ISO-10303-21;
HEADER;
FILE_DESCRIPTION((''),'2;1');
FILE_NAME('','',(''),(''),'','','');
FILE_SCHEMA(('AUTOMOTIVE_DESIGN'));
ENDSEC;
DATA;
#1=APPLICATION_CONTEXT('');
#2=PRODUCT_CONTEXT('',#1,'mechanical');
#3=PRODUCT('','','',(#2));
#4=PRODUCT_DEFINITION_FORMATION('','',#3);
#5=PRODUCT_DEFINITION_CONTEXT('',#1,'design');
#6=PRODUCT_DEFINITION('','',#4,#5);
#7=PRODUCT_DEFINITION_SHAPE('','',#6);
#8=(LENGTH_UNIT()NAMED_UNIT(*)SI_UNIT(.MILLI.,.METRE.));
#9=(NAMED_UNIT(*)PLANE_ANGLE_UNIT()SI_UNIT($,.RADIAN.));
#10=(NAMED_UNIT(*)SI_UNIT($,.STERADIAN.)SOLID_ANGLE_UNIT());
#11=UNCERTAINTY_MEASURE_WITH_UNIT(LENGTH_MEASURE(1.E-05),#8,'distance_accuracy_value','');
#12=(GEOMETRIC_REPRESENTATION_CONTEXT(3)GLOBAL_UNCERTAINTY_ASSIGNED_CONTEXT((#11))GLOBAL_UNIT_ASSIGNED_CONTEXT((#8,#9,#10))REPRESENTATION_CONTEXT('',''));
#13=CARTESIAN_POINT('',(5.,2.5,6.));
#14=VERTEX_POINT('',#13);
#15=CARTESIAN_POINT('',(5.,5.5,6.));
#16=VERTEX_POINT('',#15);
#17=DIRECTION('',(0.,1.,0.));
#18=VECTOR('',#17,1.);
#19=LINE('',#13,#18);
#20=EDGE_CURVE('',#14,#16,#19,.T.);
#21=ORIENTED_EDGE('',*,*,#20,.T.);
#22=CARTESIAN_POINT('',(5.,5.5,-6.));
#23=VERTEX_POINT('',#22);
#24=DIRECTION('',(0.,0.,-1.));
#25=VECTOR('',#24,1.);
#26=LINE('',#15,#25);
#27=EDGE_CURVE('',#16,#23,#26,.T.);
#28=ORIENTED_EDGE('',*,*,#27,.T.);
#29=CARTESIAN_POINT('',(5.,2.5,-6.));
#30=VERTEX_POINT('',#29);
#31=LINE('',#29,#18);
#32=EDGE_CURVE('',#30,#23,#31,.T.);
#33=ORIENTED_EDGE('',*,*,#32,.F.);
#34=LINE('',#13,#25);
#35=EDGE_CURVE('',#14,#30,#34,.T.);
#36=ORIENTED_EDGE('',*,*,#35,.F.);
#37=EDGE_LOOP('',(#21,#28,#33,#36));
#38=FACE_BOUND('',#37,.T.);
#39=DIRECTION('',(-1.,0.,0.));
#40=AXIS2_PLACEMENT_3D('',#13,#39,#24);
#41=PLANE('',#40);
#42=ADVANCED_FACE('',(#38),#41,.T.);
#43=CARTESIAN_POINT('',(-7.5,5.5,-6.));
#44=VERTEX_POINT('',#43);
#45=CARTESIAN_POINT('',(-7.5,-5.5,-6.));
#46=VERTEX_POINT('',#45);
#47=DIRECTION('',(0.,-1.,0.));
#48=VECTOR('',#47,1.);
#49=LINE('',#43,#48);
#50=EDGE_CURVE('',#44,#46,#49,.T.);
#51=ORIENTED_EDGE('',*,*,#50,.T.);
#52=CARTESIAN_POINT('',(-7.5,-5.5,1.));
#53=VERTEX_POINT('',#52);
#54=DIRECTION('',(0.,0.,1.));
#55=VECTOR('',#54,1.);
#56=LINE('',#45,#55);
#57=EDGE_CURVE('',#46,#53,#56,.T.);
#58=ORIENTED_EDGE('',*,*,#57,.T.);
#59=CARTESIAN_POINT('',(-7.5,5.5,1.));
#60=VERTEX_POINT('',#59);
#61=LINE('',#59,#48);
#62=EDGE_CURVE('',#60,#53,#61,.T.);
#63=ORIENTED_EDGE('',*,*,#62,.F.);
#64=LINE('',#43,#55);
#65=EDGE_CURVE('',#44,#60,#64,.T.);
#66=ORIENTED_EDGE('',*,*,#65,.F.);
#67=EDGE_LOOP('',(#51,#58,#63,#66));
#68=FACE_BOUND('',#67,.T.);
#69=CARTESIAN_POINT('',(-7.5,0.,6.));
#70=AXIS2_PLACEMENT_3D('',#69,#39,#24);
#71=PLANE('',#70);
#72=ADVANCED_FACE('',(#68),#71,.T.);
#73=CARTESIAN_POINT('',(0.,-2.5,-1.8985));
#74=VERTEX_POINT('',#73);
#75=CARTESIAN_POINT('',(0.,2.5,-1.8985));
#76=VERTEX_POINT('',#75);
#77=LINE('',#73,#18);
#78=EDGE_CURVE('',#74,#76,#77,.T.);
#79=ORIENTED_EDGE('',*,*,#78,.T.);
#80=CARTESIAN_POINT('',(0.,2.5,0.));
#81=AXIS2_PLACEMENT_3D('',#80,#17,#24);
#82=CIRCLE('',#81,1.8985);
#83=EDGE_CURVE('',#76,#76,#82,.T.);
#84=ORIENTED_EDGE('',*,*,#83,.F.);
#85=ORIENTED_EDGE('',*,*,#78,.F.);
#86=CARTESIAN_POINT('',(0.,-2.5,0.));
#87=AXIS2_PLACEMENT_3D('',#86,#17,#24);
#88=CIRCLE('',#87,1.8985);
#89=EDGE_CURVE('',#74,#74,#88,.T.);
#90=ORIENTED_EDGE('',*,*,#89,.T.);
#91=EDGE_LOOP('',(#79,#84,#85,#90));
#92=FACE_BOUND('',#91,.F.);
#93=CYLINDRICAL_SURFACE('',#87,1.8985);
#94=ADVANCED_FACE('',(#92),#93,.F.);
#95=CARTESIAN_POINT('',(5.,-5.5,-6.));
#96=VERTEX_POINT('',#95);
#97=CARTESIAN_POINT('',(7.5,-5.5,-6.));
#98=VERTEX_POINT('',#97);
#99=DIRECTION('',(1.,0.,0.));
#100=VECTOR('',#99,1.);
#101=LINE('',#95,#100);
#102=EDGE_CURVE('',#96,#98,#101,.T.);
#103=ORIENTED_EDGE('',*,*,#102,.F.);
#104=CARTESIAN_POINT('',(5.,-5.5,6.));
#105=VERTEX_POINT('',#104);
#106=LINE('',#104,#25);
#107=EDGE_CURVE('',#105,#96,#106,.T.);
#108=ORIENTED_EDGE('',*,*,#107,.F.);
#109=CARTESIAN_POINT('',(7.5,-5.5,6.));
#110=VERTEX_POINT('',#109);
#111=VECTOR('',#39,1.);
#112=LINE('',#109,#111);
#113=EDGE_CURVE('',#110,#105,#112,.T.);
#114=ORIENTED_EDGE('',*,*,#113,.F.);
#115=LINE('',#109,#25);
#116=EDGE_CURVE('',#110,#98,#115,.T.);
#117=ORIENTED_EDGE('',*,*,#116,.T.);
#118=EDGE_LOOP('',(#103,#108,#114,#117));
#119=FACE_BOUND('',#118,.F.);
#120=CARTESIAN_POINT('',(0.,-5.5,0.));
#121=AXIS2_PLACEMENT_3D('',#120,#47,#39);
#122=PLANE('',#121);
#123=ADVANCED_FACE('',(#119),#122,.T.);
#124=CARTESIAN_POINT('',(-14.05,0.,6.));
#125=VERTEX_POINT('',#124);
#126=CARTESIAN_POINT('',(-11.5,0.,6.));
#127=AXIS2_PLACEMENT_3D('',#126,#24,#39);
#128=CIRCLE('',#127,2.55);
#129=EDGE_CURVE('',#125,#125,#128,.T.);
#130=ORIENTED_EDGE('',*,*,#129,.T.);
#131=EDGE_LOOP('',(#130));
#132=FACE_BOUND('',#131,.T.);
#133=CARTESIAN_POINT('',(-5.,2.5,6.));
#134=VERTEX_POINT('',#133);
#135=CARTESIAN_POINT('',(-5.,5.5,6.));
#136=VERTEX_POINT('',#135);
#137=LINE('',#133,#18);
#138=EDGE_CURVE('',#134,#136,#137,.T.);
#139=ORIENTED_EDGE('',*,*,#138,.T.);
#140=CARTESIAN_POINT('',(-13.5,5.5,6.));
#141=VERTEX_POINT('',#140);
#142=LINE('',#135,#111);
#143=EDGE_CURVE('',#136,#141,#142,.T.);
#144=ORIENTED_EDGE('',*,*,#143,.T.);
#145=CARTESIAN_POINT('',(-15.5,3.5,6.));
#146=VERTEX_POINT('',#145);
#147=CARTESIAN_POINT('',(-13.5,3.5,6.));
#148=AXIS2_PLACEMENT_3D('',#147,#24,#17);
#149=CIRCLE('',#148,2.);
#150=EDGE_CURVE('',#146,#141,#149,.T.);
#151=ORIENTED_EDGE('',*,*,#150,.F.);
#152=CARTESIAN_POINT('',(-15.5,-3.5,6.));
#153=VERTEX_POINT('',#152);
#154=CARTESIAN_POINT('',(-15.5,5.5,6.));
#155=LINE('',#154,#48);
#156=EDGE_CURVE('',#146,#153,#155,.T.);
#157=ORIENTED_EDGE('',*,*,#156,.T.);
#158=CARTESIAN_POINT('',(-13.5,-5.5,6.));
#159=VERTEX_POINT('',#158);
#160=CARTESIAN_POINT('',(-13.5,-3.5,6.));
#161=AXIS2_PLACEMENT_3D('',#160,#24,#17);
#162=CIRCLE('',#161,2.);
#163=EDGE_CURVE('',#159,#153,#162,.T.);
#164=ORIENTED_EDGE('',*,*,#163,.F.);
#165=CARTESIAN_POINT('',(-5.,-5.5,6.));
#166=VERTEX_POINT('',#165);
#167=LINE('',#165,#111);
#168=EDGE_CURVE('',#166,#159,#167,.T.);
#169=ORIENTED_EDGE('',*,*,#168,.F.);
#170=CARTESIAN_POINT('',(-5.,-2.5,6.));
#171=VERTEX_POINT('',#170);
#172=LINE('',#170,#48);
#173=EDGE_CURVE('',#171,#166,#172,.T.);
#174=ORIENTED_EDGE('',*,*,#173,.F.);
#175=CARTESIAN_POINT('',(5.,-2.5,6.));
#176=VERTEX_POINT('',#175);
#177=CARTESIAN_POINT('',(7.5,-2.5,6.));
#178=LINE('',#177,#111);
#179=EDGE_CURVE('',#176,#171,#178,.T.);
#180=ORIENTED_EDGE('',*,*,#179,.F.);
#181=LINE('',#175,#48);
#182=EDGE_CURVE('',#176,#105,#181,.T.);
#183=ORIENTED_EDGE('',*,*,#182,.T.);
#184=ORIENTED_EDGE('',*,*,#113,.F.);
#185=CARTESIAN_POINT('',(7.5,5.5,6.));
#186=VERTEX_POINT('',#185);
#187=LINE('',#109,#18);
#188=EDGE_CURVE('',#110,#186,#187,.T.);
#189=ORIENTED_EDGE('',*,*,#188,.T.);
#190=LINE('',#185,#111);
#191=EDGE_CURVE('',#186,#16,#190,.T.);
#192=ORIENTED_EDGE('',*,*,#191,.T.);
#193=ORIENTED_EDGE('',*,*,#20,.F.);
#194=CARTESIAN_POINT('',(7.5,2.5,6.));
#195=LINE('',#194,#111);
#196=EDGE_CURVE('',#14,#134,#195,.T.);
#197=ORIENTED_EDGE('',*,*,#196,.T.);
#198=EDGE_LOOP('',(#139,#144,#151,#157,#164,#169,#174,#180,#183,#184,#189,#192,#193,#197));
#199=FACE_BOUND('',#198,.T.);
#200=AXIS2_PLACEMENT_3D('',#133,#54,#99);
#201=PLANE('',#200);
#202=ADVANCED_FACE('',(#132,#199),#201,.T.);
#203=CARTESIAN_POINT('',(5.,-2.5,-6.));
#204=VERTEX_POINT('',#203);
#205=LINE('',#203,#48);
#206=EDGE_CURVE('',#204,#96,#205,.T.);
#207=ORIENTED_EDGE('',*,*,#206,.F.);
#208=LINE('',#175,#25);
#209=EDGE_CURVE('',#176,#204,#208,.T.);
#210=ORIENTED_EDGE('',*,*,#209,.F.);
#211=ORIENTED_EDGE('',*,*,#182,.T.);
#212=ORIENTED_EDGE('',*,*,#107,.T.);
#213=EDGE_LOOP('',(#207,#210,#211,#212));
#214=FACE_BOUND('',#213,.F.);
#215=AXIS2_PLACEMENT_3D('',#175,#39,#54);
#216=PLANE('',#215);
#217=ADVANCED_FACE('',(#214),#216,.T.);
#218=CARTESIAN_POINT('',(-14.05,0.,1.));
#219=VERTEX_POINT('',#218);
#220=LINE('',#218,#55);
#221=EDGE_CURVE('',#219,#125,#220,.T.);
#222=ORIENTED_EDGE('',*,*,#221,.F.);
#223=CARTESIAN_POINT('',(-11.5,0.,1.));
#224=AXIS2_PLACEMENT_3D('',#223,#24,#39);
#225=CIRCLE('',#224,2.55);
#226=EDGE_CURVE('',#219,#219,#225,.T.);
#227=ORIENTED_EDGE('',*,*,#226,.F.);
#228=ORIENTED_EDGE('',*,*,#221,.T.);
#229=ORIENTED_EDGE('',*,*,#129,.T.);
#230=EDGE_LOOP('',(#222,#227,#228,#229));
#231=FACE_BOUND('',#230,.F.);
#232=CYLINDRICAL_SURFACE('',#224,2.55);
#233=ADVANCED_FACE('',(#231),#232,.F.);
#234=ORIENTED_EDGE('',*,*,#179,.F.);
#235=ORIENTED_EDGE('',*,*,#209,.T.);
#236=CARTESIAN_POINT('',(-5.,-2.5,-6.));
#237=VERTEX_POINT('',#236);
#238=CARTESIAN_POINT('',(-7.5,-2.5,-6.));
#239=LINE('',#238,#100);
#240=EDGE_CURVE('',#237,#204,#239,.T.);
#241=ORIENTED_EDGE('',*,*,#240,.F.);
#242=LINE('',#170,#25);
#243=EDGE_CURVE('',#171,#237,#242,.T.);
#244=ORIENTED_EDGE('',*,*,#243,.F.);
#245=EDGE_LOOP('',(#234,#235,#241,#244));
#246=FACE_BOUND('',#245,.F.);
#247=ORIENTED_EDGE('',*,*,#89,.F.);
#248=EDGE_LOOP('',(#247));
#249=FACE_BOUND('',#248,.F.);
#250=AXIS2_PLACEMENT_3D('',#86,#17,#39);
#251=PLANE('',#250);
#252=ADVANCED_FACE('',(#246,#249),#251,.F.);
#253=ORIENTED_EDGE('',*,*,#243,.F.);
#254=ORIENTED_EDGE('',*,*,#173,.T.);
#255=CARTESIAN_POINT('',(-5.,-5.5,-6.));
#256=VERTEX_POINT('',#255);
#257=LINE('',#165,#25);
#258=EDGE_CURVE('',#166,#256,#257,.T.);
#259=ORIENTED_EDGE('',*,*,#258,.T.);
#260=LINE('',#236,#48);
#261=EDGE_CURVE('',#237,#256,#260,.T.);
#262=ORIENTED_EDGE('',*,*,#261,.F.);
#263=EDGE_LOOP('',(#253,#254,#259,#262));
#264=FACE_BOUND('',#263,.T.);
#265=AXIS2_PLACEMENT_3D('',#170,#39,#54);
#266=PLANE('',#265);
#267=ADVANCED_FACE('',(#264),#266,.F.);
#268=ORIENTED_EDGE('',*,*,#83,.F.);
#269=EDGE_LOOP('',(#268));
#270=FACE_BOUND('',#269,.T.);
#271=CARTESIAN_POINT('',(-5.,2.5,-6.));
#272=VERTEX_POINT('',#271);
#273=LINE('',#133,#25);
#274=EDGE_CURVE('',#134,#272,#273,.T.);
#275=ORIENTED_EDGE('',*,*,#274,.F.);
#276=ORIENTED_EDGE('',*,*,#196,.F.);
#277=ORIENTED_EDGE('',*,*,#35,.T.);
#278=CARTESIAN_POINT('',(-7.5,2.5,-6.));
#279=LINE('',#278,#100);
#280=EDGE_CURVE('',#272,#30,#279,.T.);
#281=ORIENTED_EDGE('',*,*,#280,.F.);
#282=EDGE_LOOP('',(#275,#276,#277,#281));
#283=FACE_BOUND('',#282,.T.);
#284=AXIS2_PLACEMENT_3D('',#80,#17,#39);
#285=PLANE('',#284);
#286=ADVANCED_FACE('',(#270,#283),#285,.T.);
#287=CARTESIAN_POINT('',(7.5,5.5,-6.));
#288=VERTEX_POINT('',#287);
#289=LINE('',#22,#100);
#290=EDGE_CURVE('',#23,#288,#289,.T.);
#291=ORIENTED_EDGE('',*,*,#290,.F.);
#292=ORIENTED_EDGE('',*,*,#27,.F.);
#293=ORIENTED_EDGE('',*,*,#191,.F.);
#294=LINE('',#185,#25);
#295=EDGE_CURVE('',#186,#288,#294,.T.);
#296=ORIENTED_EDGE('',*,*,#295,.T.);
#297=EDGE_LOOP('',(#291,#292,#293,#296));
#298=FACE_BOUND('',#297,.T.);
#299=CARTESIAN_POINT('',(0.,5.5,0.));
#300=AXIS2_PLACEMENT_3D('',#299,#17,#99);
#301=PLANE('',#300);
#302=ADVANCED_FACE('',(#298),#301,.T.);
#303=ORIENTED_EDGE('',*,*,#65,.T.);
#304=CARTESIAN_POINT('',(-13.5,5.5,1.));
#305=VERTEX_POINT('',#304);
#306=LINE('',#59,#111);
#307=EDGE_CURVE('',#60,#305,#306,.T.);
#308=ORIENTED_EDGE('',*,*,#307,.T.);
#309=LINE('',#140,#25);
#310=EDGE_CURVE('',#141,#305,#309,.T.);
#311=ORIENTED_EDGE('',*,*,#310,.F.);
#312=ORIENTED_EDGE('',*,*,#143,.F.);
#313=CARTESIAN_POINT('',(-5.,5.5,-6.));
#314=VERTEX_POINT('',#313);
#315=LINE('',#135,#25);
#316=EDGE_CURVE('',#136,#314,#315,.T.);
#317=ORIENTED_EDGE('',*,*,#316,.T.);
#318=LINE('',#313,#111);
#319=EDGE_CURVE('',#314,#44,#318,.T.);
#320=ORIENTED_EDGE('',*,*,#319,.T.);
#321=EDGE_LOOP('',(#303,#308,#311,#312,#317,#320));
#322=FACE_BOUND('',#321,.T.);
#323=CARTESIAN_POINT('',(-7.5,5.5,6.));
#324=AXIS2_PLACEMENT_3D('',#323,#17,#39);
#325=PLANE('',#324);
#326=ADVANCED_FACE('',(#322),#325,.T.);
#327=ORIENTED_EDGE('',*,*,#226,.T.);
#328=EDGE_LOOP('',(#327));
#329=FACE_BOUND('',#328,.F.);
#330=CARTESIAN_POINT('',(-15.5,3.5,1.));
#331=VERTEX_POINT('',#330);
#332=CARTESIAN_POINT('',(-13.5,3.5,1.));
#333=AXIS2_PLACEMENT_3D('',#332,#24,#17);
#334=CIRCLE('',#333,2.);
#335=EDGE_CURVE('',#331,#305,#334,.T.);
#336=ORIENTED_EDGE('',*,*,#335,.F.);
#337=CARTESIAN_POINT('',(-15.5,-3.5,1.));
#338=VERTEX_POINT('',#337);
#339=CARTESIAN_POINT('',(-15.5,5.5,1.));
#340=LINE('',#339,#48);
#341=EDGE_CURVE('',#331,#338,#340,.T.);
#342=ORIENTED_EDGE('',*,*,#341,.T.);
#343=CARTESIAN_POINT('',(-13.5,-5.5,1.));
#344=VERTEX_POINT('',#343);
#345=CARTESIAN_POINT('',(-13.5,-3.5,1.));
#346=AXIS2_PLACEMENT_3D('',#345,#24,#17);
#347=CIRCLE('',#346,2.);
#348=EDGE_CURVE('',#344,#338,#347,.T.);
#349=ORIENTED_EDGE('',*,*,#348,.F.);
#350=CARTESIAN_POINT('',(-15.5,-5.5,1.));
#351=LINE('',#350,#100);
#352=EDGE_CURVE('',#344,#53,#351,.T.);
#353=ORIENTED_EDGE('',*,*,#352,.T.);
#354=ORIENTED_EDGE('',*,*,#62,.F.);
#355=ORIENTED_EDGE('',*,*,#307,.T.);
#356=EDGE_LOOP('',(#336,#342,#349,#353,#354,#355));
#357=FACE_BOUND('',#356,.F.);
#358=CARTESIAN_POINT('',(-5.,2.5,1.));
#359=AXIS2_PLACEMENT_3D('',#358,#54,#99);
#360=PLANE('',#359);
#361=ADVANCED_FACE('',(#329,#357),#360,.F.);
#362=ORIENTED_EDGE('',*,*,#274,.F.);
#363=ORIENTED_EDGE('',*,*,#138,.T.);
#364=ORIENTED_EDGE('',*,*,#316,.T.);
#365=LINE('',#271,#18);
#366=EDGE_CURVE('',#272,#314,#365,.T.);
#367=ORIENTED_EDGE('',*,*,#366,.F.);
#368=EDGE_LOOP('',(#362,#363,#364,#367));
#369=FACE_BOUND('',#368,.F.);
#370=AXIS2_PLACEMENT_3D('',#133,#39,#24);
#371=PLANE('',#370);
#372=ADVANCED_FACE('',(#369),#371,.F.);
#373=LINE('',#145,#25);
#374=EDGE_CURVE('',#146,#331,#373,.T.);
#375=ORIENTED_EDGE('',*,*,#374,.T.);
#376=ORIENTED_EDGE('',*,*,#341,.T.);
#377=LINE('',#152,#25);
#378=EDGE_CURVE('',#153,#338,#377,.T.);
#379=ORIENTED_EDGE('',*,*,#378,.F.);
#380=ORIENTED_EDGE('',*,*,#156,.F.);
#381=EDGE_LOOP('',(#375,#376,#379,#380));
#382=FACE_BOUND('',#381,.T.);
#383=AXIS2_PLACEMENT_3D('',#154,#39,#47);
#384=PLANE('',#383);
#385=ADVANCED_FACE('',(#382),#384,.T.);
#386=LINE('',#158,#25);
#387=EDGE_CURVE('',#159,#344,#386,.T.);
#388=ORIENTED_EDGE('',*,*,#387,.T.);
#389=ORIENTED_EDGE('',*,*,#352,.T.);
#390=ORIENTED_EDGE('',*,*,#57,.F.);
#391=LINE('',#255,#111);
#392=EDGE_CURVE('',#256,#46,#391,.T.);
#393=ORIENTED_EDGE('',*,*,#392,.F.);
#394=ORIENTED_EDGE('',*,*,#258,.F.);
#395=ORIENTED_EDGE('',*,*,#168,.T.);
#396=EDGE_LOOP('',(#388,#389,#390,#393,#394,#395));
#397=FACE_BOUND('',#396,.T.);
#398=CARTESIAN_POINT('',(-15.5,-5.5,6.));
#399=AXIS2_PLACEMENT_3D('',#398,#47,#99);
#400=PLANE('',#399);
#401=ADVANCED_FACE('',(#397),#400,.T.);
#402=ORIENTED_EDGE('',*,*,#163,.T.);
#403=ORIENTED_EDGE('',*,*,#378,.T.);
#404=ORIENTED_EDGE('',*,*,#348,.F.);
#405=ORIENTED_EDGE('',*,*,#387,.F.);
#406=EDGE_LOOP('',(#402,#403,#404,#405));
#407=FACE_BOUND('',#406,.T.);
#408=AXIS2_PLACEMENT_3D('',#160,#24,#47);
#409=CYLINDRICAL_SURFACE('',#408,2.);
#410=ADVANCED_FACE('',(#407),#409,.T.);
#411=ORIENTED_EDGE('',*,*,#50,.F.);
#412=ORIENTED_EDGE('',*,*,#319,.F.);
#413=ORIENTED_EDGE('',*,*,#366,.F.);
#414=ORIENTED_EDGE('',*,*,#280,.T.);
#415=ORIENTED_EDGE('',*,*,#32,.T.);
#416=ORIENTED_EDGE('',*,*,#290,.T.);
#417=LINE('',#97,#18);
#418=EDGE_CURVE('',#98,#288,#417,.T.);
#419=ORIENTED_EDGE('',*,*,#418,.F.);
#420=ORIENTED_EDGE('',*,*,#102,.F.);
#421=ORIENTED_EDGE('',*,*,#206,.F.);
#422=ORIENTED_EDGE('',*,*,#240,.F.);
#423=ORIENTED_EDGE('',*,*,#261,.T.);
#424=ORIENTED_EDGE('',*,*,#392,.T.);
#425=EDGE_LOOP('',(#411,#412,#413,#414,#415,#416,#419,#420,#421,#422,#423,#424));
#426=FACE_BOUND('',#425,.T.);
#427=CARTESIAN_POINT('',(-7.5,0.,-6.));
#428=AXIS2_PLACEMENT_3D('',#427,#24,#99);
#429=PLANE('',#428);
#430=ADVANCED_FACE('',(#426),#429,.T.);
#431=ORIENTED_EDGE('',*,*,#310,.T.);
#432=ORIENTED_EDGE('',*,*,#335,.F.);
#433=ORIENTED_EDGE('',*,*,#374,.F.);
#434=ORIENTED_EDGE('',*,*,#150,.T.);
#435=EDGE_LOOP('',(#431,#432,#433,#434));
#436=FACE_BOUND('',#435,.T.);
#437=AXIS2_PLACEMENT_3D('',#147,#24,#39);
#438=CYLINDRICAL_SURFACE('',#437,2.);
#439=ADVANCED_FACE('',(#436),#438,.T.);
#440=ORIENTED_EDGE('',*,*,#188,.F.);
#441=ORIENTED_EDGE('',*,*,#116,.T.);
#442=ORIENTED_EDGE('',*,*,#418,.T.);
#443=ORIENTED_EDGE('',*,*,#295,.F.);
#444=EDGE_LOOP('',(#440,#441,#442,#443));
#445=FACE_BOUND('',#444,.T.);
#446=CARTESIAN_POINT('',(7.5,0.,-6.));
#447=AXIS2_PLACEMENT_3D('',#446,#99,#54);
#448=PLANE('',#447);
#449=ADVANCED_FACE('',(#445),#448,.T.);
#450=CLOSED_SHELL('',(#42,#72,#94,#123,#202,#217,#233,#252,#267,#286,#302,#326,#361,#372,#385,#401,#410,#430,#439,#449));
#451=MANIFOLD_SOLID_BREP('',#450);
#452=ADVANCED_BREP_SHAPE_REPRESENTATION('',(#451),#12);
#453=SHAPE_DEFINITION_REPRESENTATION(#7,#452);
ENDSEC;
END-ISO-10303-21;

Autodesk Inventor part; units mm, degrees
ref_plane "YZ Plane" through (0, 0, 0) normal (1, 0, 0) x (0, 1, 0)
ref_plane "XZ Plane" through (0, 0, 0) normal (0, 1, 0) x (-1, 0, 0)
ref_plane "XY Plane" through (0, 0, 0) normal (0, 0, 1) x (1, 0, 0)
sketch "Sketch1" plane through (0, 0, 0) normal (0, 1, 0) x (-1, 0, 0)
  line L0 (-7.5, 6) -> (7.5, 6)
  line L1 (7.5, 6) -> (7.5, -6)
  line L2 (7.5, -6) -> (-7.5, -6)
  line L3 (-7.5, -6) -> (-7.5, 6)
  line L4 (-7.5, 6) -> (7.5, -6) construction
  line L5 (7.5, 6) -> (-7.5, -6) construction
  point P0 (0, 0)
  dimension "d0" = 12
  dimension "d1" = 15
extrude "Extrusion1" add sketch "Sketch1" along normal mid plane 5
sketch "Sketch2" plane through (0, 2.5, 0) normal (0, 1, 0) x (1, 0, 0)
  line L0 (-5, 6) -> (-7.5, 6)
  line L1 (-7.5, 6) -> (-7.5, -6)
  line L2 (-7.5, -6) -> (-5, -6)
  line L3 (-5, -6) -> (-5, 6)
  line L4 (-5, 6) -> (-7.5, -6) construction
  line L5 (-7.5, 6) -> (-5, -6) construction
  line L6 (7.5, -6) -> (7.5, 6) projected
  line L7 (5, 6) -> (7.5, 6)
  line L8 (7.5, 6) -> (7.5, -6)
  line L9 (7.5, -6) -> (5, -6)
  line L10 (5, -6) -> (5, 6)
  line L11 (5, 6) -> (7.5, -6) construction
  line L12 (7.5, 6) -> (5, -6) construction
  line L13 (5, 0) -> (-5, 0) construction
  point P0 (0, 0)
  point P1 (-6.25, 0)
  point P2 (6.25, 0)
  point P3 (0, 0)
  dimension "d15" = 10
extrude "Extrusion2" add sketch "Sketch2" along normal blind 3
sketch "Sketch3" plane through (0, -2.5, 0) normal (0, -1, 0) x (1, 0, 0)
  point P0 (0, 0)
hole "Hole1" at (0, -2.5, 0) direction (0, 1, 0) diameter 3.797 end through all clearance for "Flat Head Machine Screw (82)" size "#6" standard "Ansi Unified Screw Threads"
mirror "Mirror1" about plane through (0, 0, 0) normal (0, 1, 0)
sketch "Sketch4" plane through (-5, 2.5, 6) normal (0, 0, 1) x (1, 0, 0)
  line L0 (-2.5, 3) -> (-2.5, -8) projected
  line L1 (-10.5, -8) -> (-2.5, -8)
  line L2 (-2.5, -8) -> (-2.5, 3)
  line L3 (-2.5, 3) -> (-10.5, 3)
  line L4 (-10.5, 3) -> (-10.5, -8)
  line L5 (-10.5, -8) -> (-2.5, 3) construction
  line L6 (-2.5, -8) -> (-10.5, 3) construction
  line L7 (-2.5, -8) -> (0, -8) projected
  point P0 (5, -2.5)
  point P1 (-6.5, -2.5)
  dimension "d16" = 8
extrude "Extrusion3" add sketch "Sketch4" against normal blind 5
sketch "Sketch5" plane through (-5, 2.5, 1) normal (0, 0, -1) x (-1, 0, 0)
  line L0 (10.5, -8) -> (10.5, 3) projected
  line L1 (2.5, -8) -> (10.5, -8) projected
  circle A0 centre (6.5, -2.5) radius 2.55
  point P0 (-5, -2.5)
  point P1 (10.5, -2.5)
  point P2 (6.5, -8)
  point P3 (10.5, -2.5)
  point P4 (6.5, -8)
  point P5 (6.5, -8)
  dimension "d19" = 5.1
extrude "Extrusion4" cut sketch "Sketch5" against normal through all
fillet "Fillet1" radius 2 2 edges at (-15.5, 5.5, 3.5) (-15.5, -5.5, 3.5)
properties part number "StopRotation"
